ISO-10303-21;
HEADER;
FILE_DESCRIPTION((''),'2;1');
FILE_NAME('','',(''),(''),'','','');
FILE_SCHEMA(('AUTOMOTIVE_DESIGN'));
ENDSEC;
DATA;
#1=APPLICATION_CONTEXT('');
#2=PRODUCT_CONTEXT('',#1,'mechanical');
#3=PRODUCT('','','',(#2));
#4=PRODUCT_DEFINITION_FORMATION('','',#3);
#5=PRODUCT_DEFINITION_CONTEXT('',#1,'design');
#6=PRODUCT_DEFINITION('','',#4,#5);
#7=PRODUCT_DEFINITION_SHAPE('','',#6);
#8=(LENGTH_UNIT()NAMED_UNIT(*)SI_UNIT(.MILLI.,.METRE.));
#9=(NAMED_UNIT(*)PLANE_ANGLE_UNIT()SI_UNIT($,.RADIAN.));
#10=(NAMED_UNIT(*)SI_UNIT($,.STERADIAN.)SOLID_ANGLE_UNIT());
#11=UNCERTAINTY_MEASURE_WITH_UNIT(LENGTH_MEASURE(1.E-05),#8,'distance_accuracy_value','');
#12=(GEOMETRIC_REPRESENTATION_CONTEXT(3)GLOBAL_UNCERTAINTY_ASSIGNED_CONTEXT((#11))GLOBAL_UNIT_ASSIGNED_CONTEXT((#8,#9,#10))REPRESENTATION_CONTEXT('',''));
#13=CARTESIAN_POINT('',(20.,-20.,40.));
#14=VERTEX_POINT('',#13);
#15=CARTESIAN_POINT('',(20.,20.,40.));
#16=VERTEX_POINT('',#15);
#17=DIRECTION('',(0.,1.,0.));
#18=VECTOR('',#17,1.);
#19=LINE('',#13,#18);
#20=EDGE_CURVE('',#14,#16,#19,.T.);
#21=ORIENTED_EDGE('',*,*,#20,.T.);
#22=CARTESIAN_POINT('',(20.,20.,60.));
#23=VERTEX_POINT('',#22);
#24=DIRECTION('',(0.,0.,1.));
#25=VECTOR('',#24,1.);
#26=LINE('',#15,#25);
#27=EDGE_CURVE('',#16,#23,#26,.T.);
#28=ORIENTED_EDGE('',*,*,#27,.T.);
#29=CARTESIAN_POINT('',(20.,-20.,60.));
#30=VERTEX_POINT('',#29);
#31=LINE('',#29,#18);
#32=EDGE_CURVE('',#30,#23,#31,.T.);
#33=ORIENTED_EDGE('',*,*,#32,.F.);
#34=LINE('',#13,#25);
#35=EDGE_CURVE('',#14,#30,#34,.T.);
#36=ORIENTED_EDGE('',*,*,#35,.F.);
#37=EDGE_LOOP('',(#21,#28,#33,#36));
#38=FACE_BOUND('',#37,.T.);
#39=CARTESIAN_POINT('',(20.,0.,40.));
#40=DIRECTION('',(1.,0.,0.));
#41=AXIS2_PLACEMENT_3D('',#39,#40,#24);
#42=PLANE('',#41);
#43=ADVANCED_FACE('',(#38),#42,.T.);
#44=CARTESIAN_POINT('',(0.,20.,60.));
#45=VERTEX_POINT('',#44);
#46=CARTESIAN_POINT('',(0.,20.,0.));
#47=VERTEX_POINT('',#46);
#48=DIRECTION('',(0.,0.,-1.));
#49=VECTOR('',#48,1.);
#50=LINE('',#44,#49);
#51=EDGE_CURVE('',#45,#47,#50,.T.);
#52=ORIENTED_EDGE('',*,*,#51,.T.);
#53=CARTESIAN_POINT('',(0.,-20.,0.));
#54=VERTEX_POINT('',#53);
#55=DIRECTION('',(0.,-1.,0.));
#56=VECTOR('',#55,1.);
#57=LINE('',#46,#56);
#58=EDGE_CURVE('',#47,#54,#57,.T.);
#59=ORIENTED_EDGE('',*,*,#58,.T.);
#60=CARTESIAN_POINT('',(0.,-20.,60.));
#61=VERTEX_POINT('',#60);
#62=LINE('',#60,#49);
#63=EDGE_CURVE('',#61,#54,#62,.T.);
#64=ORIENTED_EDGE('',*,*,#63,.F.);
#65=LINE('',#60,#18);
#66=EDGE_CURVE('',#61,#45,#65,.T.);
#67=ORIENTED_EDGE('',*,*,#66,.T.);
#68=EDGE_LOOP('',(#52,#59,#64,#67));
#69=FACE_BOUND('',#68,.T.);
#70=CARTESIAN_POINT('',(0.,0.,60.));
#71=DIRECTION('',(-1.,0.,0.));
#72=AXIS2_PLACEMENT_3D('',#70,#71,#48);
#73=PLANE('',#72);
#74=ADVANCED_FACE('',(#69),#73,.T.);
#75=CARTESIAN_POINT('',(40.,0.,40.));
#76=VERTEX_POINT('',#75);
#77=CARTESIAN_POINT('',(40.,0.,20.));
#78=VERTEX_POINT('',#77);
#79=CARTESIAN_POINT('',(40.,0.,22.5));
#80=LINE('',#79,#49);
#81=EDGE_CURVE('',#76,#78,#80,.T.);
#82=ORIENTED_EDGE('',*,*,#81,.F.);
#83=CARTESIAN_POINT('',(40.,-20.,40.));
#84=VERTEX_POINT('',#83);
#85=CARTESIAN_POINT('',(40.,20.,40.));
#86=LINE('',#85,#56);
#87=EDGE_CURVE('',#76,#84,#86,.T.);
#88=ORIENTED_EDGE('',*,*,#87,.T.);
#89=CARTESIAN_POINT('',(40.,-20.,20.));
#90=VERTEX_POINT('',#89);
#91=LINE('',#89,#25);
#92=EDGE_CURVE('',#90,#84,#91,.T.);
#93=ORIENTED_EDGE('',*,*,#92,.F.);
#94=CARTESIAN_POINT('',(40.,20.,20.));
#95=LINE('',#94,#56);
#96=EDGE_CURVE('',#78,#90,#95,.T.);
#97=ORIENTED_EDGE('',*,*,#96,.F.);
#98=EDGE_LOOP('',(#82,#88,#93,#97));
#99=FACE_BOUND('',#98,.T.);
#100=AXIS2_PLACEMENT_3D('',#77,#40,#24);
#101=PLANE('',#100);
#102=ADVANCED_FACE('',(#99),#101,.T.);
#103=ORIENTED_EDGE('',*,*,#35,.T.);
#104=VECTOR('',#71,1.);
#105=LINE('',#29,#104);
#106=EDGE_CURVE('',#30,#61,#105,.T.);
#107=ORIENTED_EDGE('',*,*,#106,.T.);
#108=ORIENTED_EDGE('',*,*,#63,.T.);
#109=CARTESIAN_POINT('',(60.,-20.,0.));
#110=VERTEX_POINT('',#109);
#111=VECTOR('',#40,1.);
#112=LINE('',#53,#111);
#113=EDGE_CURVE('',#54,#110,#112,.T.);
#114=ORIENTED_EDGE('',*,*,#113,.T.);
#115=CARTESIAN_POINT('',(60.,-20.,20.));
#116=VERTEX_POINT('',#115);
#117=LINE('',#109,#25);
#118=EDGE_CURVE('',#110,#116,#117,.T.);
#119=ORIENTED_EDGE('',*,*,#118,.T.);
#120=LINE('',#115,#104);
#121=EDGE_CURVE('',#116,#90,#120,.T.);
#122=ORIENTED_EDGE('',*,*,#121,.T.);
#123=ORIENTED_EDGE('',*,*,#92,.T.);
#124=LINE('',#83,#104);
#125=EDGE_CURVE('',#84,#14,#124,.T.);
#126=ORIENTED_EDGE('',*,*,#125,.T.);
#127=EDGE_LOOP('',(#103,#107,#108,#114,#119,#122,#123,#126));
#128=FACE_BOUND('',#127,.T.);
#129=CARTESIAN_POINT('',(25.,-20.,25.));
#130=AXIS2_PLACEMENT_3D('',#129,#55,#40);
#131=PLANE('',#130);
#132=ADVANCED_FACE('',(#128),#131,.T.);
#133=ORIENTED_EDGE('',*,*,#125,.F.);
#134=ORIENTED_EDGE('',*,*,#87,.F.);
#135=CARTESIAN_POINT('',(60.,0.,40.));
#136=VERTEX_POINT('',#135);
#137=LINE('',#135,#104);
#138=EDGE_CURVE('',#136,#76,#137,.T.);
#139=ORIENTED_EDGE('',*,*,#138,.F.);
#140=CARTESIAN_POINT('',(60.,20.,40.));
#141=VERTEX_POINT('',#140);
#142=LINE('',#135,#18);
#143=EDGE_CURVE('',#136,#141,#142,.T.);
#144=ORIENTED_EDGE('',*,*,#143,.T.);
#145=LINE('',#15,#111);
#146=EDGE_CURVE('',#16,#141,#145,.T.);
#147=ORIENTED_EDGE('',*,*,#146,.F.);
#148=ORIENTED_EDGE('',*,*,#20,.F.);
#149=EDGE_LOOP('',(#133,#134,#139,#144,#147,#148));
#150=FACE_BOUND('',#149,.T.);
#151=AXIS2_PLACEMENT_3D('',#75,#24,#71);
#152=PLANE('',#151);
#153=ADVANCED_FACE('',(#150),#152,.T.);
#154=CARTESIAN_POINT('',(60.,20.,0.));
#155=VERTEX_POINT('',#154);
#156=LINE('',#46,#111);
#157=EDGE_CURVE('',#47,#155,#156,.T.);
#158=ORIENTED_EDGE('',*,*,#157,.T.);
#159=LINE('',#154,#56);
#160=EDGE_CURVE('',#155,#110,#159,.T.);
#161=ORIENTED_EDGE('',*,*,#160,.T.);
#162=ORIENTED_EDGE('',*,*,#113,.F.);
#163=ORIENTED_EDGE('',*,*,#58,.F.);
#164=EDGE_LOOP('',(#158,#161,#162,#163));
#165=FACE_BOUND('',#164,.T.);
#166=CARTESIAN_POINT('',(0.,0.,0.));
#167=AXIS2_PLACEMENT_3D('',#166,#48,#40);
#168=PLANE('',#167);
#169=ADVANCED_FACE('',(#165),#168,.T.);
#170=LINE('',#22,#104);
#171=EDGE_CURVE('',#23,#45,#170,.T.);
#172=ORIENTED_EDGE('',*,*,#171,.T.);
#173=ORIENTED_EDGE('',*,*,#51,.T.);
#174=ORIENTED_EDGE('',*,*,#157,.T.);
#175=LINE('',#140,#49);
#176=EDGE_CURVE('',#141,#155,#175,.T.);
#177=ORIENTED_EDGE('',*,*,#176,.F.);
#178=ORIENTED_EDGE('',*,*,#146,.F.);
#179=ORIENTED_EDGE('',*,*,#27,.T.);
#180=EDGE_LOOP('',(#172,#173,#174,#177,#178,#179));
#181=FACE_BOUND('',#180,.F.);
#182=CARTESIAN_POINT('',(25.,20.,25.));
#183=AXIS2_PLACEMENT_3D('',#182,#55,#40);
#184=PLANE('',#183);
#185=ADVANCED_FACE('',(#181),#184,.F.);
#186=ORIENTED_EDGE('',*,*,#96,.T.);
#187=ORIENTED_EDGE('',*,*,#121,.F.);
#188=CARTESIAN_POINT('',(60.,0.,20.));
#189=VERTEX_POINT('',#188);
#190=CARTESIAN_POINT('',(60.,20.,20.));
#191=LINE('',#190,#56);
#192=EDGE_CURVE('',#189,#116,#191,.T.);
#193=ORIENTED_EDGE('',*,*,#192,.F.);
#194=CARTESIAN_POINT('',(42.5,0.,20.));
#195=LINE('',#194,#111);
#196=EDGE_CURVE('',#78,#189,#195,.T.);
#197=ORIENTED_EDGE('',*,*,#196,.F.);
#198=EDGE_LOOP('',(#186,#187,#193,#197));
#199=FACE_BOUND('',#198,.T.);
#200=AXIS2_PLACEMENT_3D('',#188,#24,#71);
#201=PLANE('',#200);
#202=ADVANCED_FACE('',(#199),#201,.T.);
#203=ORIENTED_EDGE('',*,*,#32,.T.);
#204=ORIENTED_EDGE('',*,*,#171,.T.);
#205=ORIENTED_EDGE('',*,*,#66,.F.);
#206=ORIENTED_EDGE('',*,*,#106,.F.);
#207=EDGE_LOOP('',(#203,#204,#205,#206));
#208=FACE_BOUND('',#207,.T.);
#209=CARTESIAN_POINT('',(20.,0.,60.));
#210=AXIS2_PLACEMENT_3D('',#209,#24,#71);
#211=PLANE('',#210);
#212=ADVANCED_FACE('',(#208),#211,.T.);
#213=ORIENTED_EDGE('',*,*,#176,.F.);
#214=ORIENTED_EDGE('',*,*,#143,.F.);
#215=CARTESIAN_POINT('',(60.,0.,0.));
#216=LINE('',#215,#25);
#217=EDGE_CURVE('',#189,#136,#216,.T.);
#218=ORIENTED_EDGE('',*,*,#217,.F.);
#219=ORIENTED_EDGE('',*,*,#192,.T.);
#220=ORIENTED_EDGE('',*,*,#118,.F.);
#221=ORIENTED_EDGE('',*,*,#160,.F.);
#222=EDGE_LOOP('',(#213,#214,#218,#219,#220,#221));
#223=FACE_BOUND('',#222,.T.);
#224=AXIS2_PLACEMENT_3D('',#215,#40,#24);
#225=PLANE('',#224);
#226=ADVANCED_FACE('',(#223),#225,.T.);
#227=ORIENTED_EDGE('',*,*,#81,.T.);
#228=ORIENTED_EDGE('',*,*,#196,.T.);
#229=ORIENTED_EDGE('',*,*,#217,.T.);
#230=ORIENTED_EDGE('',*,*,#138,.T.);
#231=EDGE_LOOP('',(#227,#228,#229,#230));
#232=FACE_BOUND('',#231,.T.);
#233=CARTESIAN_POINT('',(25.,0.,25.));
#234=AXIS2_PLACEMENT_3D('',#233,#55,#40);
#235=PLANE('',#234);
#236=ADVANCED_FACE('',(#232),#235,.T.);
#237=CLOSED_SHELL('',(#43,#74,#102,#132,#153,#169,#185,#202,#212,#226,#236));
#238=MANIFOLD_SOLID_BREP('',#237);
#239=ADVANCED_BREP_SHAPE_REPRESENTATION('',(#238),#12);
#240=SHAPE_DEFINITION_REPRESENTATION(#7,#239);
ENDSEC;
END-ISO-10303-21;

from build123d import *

# Parameters (mm, degrees)
F1_DEPTH = 20
F0_W     = 20
F0_H     = 20
F2_DEPTH = 20


with BuildPart() as f1:
    # F0 (on Front) → F1 (new body, symmetric)
    with BuildSketch(Plane.XZ):
        Polygon((0, 60), (0, 0), (60, 0), (60, 20), (40, 20), (40, 40), (20, 40), (20, 60), align=None)
    extrude(amount=F1_DEPTH, both=True)

    # F0 (on Front) → F2 (join)
    with BuildSketch(Plane.XZ):
        Polygon((0, 60), (0, 0), (60, 0), (60, 20), (40, 20), (40, 40), (20, 40), (20, 60), align=None)
        with Locations((50, 30)):
            Rectangle(F0_W, F0_H)
    extrude(amount=-F2_DEPTH)


solid = f1.part
